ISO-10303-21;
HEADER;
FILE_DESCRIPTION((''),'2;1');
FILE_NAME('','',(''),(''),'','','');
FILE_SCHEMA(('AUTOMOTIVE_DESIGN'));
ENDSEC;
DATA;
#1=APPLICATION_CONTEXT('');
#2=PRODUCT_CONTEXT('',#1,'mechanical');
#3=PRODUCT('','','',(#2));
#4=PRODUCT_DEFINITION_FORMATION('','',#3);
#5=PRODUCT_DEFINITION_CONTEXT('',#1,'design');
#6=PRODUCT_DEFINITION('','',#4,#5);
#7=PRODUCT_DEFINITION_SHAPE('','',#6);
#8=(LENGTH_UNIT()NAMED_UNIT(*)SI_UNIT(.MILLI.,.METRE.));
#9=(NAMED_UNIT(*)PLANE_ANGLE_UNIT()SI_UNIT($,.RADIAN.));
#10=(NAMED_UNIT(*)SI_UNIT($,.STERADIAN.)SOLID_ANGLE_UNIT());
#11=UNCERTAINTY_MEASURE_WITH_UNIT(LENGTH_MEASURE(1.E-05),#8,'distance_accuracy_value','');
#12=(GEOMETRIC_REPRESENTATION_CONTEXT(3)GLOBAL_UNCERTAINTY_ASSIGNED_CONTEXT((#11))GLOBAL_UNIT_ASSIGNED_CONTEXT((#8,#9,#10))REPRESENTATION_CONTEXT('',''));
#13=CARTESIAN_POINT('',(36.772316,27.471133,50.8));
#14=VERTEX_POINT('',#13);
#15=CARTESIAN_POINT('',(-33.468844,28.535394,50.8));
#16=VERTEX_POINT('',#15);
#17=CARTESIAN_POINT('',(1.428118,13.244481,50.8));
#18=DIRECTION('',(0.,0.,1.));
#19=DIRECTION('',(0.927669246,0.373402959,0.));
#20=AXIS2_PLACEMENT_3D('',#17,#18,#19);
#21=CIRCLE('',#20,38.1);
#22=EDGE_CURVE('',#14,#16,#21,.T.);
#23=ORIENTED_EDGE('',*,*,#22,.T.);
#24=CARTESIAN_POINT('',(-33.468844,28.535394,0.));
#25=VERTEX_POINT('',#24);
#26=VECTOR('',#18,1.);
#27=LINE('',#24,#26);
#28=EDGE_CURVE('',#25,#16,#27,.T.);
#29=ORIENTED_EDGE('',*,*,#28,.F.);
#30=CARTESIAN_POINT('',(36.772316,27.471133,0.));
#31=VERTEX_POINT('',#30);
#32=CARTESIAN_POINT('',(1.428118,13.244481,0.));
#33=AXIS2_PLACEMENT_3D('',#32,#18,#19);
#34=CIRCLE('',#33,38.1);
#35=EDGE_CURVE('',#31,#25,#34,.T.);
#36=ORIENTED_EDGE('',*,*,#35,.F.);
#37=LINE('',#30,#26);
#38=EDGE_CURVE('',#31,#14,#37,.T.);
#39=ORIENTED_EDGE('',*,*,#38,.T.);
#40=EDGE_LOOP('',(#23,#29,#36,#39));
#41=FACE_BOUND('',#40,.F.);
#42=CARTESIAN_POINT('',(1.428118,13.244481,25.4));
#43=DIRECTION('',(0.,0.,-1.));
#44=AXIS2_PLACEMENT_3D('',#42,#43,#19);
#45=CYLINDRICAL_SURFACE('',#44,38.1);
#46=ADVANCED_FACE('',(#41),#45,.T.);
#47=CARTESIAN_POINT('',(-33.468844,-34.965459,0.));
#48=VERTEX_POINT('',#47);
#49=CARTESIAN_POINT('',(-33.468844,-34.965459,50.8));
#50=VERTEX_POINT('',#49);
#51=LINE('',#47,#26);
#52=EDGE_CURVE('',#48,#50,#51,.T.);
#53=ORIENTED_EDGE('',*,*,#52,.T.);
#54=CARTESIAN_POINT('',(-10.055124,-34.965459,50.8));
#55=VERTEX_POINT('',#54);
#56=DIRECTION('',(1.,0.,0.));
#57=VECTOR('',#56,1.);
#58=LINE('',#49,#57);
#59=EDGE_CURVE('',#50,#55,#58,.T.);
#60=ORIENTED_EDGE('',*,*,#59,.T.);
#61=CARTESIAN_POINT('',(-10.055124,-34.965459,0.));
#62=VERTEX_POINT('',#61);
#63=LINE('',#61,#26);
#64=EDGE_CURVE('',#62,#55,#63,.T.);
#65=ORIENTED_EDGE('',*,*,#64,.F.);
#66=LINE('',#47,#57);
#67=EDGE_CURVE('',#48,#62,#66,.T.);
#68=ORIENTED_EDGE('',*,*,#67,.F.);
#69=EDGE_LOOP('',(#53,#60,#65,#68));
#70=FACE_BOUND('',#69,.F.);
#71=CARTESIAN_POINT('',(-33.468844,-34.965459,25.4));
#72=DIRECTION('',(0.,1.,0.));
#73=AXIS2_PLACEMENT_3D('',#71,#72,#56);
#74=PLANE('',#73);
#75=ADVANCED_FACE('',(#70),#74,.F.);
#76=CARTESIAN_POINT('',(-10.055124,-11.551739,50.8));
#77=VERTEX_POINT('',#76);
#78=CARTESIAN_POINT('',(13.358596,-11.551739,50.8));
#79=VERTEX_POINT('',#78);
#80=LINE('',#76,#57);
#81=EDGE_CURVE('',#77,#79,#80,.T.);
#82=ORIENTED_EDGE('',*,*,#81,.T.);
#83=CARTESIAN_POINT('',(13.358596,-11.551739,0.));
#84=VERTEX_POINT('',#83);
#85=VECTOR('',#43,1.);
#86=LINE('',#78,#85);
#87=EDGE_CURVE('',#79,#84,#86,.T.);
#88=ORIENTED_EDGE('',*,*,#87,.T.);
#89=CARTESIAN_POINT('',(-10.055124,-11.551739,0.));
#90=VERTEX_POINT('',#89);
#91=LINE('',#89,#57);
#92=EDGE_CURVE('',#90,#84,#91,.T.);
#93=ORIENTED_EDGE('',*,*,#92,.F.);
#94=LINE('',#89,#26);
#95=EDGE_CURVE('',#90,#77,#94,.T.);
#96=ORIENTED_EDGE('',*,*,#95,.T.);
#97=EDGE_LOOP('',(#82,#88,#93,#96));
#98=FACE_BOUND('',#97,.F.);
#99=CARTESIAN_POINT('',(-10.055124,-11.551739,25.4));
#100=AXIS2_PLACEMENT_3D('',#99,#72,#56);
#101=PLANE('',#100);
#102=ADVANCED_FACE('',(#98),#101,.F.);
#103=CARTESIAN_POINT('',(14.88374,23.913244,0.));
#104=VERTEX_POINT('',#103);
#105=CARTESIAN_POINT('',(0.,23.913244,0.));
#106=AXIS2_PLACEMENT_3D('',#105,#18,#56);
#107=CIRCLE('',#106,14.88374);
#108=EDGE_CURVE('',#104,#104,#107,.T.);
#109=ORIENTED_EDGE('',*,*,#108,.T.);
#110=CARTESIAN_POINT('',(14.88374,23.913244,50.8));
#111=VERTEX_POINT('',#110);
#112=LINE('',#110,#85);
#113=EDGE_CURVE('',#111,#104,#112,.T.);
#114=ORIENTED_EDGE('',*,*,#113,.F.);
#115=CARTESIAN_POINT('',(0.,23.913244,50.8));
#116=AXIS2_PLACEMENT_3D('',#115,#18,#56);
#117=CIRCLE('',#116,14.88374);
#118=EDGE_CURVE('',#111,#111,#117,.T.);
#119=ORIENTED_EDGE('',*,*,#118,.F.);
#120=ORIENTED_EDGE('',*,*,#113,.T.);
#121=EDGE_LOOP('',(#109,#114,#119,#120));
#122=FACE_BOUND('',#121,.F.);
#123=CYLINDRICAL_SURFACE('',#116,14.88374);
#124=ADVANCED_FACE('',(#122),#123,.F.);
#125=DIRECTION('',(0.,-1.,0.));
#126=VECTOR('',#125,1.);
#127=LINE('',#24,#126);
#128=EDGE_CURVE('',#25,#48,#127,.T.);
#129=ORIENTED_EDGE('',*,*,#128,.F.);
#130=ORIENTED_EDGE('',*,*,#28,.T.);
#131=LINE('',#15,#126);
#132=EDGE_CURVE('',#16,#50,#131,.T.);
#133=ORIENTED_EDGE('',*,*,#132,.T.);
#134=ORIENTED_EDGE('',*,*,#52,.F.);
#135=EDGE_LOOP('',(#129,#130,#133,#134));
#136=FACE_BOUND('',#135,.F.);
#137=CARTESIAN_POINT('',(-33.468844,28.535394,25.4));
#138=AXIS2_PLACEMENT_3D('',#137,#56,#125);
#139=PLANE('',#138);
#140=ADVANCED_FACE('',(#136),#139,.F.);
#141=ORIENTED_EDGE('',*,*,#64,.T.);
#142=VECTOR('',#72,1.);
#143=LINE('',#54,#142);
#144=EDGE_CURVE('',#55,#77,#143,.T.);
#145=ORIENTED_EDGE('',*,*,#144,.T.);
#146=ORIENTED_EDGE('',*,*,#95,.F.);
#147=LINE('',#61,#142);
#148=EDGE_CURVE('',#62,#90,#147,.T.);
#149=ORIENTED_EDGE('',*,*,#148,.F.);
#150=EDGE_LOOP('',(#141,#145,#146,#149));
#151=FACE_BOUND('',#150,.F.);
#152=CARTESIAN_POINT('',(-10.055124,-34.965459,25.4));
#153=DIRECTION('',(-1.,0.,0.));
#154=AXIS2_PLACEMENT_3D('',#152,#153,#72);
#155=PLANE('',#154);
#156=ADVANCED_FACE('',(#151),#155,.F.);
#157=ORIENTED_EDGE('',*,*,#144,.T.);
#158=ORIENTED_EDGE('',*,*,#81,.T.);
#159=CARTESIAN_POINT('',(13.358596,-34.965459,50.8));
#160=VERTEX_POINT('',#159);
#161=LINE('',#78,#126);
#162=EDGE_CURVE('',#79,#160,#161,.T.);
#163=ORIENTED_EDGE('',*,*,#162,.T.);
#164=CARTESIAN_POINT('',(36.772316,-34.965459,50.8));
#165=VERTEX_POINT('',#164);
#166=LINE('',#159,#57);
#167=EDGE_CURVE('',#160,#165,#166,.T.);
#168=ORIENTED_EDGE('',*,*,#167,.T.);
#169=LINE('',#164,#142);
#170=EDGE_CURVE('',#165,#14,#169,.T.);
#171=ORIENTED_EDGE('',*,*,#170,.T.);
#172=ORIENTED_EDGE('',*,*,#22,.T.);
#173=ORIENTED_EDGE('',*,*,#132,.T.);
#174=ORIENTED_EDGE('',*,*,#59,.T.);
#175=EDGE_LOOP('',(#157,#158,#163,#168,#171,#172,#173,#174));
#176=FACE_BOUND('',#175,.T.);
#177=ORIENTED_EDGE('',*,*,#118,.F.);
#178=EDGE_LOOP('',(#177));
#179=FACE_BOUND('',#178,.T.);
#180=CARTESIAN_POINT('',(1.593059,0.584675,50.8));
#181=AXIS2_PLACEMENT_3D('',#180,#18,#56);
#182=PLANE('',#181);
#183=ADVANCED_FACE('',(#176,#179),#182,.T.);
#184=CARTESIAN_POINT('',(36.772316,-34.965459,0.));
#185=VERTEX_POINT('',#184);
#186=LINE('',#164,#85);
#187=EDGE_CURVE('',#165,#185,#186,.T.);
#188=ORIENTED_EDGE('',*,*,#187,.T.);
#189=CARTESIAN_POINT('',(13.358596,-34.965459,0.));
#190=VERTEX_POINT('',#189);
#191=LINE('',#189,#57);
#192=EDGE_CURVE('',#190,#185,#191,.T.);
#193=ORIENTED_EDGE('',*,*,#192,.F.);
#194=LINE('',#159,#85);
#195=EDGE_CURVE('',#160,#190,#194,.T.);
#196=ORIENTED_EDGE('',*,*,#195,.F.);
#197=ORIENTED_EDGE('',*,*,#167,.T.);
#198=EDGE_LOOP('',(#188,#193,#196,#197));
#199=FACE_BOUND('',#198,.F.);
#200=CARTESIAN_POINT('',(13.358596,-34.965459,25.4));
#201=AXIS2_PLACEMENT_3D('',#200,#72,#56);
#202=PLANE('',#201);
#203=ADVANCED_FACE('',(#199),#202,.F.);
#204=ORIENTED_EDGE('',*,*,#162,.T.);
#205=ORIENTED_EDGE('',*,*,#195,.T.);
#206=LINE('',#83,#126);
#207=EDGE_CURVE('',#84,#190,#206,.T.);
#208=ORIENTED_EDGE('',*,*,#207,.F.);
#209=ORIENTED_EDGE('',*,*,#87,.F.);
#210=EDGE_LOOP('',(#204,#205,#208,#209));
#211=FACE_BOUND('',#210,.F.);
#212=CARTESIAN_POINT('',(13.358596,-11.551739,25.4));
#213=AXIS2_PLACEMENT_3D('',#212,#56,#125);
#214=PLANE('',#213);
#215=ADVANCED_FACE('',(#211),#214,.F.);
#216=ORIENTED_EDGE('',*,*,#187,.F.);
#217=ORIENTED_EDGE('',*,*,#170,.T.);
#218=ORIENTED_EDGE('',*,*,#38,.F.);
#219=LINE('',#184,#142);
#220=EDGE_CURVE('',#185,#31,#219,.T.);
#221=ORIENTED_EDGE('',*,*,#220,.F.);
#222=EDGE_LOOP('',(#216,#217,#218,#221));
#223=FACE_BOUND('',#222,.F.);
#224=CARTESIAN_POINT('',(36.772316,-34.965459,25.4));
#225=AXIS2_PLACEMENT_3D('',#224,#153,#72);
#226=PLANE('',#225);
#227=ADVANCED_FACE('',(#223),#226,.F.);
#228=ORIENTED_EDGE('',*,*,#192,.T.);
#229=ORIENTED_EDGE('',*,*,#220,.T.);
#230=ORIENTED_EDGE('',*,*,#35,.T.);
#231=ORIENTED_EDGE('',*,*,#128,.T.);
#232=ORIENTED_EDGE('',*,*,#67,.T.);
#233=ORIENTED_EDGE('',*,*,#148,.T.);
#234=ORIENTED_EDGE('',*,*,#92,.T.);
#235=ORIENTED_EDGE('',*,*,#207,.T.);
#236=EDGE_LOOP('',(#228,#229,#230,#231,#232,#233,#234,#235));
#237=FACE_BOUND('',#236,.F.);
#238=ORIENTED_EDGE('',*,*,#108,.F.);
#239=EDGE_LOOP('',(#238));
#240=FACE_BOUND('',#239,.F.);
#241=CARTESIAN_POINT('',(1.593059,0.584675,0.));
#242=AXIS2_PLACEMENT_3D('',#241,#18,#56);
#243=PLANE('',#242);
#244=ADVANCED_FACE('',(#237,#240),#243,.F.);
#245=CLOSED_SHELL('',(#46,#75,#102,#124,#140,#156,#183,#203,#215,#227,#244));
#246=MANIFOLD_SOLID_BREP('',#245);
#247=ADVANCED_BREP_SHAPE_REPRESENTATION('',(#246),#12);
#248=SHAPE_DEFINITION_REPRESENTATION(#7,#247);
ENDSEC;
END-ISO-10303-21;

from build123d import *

# Parameters (mm, degrees)
F1_DEPTH = 25.4
F2_DEPTH = 25.4
F3_R     = 14.8837402169
F4_DEPTH = 50.801


with BuildPart() as f1:
    # F0 (on Top) → F1 (new body)
    with BuildSketch(Plane.XY):
        with BuildLine():
            Line((36.7723161906, -34.965459034), (36.7723161906, 27.4711334495))
            ThreePointArc((36.7723161906, 27.4711334495), (2.0053244918, 51.3401081734), (-33.4688444361, 28.5353936383))
            Line((-33.4688444361, 28.5353936383), (-33.4688444361, -34.965459034))
            Line((-33.4688444361, -34.965459034), (-10.0551242272, -34.965459034))
            Line((-10.0551242272, -34.965459034), (-10.0551242272, -11.5517388251))
            Line((-10.0551242272, -11.5517388251), (13.3585959817, -11.5517388251))
            Line((13.3585959817, -11.5517388251), (13.3585959817, -34.965459034))
            Line((13.3585959817, -34.965459034), (36.7723161906, -34.965459034))
        make_face()
    extrude(amount=F1_DEPTH)

    # F2 (add): a face of the model
    f2_faces = [f1.faces().sort_by_distance(p)[0] for p in [
        (1.5994102658, 8.2877292007, 25.4),
    ]]
    extrude(f2_faces, amount=F2_DEPTH)

    # F3 (on face) → F4 (cut, through all)
    with BuildSketch(Plane.XY.offset(50.8)):
        with Locations((0, 23.9132437855)):
            Circle(F3_R)
    extrude(amount=-F4_DEPTH, mode=Mode.SUBTRACT)


solid = f1.part
